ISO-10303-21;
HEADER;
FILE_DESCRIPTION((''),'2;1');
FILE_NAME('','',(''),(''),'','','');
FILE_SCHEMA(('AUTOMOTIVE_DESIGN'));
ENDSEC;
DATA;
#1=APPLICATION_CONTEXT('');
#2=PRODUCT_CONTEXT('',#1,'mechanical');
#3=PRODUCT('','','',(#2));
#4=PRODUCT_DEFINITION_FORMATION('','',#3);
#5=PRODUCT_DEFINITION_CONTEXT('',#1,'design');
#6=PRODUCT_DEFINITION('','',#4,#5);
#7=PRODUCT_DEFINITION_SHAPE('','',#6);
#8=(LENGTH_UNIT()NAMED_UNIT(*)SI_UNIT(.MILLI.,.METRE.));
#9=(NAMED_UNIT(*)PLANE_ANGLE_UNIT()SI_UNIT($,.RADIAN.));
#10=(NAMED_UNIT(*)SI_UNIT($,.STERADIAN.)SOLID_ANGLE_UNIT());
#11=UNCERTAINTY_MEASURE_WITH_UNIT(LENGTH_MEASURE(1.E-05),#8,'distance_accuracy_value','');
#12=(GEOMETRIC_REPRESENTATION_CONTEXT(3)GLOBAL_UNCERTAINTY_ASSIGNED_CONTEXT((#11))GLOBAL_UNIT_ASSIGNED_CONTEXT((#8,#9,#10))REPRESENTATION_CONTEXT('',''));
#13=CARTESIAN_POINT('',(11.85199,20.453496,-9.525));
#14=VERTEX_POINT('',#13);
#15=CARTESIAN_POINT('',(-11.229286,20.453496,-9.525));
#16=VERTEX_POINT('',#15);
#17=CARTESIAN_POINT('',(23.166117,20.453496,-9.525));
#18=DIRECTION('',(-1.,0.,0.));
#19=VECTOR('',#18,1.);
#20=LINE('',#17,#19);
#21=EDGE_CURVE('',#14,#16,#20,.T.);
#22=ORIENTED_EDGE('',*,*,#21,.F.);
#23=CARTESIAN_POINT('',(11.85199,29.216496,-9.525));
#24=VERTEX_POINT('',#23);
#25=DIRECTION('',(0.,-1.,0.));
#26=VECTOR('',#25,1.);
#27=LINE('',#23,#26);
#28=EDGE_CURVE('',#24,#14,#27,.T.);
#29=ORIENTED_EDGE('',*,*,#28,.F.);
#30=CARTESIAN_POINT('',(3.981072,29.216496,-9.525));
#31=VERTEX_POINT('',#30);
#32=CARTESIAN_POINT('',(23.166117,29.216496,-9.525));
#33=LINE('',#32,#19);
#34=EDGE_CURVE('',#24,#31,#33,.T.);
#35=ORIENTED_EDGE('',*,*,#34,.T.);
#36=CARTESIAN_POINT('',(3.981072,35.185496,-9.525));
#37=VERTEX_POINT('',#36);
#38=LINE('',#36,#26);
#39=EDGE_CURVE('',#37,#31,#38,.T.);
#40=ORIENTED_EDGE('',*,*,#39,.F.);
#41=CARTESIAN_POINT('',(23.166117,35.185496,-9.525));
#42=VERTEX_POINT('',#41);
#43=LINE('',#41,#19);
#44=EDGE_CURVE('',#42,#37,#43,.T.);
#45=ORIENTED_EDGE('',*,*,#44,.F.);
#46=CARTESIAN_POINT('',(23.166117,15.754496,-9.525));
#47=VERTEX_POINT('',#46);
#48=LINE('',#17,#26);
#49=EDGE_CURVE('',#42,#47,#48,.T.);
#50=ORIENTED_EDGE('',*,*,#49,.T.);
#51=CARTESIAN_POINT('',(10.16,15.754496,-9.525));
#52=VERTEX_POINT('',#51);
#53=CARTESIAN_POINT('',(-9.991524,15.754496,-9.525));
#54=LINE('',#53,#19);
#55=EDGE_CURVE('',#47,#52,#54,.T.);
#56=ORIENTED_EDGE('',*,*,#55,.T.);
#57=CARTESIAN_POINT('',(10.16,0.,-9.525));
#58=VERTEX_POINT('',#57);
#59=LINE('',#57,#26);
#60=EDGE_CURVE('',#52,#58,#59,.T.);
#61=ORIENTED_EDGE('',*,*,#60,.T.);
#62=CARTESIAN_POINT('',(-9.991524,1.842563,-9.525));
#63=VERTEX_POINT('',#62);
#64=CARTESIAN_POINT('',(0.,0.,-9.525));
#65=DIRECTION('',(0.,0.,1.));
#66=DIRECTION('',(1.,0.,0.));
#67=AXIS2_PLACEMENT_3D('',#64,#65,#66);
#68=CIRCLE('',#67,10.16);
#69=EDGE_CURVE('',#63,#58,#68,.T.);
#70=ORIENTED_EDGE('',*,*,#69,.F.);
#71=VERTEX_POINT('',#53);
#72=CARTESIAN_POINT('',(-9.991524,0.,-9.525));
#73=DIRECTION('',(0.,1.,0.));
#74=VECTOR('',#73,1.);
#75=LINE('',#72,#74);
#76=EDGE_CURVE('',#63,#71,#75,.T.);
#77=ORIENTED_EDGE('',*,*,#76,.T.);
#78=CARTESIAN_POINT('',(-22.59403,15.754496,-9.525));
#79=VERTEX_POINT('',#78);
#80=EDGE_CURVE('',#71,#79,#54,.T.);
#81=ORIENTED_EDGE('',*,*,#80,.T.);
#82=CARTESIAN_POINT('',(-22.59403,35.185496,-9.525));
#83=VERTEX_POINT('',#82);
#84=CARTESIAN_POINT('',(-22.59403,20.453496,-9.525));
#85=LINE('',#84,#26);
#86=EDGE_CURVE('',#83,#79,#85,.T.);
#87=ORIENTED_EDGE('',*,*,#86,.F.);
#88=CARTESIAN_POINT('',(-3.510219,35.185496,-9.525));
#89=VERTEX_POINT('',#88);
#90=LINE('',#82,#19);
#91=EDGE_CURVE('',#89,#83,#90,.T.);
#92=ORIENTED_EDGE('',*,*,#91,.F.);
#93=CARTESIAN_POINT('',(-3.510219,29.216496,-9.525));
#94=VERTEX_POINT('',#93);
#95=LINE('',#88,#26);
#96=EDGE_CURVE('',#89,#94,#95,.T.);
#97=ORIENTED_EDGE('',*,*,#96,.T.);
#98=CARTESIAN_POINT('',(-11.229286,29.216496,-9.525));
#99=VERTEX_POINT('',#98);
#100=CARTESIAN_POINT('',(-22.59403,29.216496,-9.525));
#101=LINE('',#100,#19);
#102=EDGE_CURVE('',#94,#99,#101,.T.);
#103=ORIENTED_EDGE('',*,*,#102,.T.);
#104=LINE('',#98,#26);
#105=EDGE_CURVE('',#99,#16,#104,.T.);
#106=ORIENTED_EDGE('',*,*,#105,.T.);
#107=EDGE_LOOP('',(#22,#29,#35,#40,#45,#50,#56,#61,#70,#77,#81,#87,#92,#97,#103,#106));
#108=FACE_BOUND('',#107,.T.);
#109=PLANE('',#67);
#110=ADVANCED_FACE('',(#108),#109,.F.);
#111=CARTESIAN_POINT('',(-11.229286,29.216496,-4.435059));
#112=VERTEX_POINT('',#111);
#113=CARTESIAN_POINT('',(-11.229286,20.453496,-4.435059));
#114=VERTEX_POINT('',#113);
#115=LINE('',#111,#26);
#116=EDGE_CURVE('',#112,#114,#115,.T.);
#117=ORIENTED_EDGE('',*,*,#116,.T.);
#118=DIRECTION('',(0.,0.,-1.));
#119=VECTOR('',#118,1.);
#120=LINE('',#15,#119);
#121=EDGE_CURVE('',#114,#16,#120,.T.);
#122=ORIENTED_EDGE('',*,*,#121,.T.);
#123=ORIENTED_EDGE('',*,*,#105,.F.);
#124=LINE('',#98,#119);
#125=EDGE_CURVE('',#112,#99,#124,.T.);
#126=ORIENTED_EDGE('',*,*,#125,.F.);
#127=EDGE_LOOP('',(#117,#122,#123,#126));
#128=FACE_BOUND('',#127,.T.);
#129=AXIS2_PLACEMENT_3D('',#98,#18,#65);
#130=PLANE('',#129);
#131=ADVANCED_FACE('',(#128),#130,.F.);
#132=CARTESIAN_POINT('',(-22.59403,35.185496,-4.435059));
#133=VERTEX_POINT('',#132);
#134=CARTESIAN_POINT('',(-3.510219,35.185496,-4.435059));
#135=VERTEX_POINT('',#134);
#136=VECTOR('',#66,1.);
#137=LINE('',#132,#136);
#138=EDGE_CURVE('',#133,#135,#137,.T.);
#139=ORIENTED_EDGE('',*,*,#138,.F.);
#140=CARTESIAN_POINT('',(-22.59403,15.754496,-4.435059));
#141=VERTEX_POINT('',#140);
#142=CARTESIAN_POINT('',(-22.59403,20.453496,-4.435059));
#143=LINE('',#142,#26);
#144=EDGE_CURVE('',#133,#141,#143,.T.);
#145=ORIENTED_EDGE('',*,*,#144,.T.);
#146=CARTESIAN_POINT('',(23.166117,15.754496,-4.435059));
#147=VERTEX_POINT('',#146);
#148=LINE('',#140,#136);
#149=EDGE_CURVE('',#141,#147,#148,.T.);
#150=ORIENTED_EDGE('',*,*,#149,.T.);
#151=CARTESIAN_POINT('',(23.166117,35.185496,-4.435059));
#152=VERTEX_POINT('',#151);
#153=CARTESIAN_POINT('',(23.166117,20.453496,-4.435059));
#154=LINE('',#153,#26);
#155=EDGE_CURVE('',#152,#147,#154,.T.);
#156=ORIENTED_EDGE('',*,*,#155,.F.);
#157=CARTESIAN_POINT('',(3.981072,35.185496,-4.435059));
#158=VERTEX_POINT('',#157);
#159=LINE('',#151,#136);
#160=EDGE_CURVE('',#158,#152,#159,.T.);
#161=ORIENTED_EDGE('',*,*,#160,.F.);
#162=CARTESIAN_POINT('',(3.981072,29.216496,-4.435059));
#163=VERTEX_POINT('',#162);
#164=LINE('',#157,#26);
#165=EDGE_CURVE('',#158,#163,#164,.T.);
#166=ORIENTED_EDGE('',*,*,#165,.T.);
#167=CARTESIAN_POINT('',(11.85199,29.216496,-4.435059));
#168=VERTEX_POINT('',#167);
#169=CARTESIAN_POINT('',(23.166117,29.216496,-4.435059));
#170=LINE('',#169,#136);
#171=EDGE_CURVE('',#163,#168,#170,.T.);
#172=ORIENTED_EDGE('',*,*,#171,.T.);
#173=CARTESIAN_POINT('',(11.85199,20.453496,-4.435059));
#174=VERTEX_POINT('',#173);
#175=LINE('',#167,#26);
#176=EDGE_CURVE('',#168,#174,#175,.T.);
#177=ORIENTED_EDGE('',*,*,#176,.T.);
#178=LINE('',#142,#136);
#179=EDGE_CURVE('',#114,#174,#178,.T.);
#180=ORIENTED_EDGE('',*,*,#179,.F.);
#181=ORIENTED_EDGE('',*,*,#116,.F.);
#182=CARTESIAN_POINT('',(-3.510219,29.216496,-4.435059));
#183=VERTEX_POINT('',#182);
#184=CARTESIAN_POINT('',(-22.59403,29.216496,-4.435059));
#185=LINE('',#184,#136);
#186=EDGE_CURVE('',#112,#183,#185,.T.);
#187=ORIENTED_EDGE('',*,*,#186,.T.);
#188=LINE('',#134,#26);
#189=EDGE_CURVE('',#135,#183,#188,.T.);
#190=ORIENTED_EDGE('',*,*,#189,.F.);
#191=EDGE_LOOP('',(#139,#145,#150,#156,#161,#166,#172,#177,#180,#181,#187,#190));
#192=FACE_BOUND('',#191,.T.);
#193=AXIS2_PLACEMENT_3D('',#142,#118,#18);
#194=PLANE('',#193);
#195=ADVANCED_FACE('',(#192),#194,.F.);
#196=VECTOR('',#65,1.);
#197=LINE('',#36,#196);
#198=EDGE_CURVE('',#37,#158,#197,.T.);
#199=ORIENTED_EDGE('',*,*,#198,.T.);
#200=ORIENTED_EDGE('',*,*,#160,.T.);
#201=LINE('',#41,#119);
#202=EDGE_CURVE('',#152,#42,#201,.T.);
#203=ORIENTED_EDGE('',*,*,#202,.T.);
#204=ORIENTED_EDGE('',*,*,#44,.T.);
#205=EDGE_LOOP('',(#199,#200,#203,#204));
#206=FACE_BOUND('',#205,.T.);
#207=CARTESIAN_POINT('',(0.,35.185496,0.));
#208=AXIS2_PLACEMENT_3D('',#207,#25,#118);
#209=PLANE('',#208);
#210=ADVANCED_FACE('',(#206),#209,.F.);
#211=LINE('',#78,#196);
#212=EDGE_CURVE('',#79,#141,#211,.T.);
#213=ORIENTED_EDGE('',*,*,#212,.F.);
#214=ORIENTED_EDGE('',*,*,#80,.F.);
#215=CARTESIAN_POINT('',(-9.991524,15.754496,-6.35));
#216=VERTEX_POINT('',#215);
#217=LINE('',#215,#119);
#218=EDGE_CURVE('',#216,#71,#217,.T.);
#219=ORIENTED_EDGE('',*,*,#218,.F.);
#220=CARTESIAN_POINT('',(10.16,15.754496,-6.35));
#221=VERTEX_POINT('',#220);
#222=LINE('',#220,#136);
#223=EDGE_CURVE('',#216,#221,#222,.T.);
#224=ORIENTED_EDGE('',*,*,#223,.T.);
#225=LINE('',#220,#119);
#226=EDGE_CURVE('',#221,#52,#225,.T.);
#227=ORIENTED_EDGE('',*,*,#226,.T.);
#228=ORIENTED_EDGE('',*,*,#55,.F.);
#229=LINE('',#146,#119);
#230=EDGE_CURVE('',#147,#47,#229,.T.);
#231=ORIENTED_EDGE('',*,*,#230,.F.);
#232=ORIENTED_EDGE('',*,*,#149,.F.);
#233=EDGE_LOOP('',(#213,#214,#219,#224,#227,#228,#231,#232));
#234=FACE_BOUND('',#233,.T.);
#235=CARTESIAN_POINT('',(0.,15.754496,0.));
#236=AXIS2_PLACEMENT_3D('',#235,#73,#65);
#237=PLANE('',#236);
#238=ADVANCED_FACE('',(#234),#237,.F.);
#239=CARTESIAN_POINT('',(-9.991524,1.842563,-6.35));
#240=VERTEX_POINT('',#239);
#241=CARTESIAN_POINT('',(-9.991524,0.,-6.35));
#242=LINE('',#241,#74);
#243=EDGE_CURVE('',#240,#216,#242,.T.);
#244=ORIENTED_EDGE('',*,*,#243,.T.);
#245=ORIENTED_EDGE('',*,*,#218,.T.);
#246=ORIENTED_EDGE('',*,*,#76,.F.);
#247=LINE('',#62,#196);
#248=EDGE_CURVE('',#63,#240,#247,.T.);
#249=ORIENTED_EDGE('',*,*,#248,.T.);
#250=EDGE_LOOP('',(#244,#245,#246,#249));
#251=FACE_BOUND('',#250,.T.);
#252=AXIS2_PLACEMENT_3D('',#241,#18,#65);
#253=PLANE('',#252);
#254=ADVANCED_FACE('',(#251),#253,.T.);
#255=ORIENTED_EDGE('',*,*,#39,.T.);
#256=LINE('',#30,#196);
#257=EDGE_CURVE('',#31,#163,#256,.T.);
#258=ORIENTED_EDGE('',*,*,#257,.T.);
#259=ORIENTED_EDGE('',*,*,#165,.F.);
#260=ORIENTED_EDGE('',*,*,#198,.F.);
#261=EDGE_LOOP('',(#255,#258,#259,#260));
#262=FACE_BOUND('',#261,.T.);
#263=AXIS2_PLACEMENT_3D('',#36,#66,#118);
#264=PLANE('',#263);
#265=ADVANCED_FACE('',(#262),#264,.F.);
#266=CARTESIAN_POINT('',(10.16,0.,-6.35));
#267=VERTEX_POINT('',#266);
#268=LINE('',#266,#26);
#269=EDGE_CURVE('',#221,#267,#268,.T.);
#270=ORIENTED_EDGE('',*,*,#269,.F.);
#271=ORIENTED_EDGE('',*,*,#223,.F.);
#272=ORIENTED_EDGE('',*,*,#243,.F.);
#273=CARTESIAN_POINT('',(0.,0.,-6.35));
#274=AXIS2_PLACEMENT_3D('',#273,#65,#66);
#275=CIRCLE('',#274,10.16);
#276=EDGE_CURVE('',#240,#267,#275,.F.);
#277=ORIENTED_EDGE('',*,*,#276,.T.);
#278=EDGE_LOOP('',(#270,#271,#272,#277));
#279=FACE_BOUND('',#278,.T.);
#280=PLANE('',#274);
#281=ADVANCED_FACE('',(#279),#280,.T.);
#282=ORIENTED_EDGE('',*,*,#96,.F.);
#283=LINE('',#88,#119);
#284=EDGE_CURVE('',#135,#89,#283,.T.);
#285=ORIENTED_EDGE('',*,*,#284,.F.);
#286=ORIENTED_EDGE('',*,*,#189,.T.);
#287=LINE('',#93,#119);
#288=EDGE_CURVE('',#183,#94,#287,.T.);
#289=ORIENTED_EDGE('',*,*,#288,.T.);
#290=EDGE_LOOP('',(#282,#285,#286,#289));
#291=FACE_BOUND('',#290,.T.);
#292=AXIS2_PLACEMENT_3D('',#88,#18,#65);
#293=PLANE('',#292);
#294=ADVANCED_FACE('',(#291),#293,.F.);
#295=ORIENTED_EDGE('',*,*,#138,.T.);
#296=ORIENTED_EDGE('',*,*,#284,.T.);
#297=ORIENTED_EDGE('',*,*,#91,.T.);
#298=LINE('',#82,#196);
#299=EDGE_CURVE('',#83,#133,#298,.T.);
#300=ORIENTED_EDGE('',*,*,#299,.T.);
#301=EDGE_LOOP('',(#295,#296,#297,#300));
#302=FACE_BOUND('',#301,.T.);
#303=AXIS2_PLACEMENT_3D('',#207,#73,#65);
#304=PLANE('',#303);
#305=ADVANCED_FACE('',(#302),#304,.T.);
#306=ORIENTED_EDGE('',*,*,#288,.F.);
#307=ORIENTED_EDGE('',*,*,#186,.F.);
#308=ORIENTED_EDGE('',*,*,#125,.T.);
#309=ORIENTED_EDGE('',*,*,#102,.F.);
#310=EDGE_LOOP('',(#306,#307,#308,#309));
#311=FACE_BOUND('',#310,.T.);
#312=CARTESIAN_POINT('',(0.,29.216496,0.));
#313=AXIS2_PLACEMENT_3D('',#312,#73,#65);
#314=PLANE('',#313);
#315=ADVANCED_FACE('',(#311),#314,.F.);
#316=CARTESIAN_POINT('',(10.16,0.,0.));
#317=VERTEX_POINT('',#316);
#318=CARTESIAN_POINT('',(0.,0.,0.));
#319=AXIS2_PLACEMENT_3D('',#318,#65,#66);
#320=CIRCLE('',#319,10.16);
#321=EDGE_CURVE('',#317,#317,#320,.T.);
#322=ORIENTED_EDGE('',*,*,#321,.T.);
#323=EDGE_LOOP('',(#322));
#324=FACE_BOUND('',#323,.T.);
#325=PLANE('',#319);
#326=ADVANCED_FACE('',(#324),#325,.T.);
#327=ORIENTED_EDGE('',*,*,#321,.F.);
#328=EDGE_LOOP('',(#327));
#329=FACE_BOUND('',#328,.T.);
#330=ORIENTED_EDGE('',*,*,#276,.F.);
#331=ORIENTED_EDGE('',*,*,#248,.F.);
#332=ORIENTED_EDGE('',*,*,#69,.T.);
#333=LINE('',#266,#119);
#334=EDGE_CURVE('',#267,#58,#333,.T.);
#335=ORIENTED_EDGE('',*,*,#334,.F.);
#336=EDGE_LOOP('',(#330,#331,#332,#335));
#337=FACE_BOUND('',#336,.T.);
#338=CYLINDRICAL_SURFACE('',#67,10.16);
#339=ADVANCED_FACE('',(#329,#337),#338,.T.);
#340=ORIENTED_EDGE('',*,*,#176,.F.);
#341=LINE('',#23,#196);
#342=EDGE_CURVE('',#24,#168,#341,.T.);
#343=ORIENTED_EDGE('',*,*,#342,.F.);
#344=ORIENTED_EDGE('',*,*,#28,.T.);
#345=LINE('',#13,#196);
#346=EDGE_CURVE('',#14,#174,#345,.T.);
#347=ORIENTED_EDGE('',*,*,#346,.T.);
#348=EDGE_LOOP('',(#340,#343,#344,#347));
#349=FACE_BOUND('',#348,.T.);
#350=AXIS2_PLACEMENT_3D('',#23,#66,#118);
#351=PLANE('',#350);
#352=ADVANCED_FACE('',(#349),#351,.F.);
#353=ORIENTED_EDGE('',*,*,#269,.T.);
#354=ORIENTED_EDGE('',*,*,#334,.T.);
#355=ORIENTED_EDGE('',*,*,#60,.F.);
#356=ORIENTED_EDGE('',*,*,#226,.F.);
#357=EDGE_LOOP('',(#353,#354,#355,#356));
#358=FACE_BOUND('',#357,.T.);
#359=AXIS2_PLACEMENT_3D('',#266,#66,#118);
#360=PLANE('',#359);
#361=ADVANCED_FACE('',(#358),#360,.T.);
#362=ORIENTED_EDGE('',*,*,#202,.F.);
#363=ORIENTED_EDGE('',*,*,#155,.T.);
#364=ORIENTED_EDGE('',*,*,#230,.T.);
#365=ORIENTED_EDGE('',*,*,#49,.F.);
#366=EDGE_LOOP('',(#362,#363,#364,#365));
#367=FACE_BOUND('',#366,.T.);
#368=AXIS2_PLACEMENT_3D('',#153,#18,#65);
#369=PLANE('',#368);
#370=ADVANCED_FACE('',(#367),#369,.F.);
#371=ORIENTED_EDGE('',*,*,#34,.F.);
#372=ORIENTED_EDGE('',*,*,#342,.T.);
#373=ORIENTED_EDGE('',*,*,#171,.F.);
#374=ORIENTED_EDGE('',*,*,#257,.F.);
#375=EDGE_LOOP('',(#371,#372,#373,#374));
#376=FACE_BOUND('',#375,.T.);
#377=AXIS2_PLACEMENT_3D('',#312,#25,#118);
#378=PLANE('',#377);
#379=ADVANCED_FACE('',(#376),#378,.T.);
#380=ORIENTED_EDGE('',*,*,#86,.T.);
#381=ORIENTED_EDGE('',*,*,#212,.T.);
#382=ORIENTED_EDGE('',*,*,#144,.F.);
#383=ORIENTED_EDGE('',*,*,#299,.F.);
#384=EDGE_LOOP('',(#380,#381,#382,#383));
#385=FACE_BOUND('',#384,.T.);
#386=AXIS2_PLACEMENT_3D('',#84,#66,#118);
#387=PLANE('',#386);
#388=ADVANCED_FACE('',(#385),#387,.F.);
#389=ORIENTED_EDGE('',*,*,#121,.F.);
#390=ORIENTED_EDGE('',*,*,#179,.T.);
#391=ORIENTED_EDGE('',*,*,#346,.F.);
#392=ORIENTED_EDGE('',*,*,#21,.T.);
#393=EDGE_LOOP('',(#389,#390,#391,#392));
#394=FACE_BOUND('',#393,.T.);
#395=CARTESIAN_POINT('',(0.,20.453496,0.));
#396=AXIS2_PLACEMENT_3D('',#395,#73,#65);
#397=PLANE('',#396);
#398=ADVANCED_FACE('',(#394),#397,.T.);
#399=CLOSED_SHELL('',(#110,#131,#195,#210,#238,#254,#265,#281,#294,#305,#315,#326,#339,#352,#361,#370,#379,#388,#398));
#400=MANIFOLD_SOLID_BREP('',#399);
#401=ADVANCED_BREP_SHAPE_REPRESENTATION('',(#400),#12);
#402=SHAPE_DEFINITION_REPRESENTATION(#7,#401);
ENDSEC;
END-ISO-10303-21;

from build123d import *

# Parameters (mm, degrees)
SKETCH1_R           = 10.16
BOSS_EXTRUDE1_DEPTH = 9.525
SKETCH2_W           = 20.151524415
SKETCH2_H           = 15.754496301
BOSS_EXTRUDE4_DEPTH = 3.175
BOSS_EXTRUDE5_DEPTH = 4.699
SKETCH4_W           = 11.36474419
SKETCH4_H           = 5.089940764
SKETCH4_W_2         = 11.314127359
BOSS_EXTRUDE6_DEPTH = 8.763
SKETCH5_W           = 19.083811061
SKETCH5_H           = 5.089940764
SKETCH5_W_2         = 19.185044725
BOSS_EXTRUDE7_DEPTH = 5.969


with BuildPart() as part:
    # Sketch1 → Boss-Extrude1 (new body)
    with BuildSketch(Plane.XY):
        Circle(SKETCH1_R)
    extrude(amount=-BOSS_EXTRUDE1_DEPTH)

    # Sketch2 → Boss-Extrude4 (add)
    with BuildSketch(Plane(origin=(0, 0, -9.525), x_dir=(-1, 0, 0), z_dir=(0, 0, -1))):
        with Locations((-0.084237792, 7.877248151)):
            Rectangle(SKETCH2_W, SKETCH2_H)
    extrude(amount=-BOSS_EXTRUDE4_DEPTH)

    # Sketch3 → Boss-Extrude5 (add)
    with BuildSketch(Plane(origin=(0, 15.754496301, 0), x_dir=(1, 0, 0), z_dir=(0, 1, 0))):
        Polygon((-9.991524415, 9.525), (-22.594029854, 9.525), (-22.594029854, 4.435059236), (23.166117059, 4.435059236), (23.166117059, 9.525), align=None)
    extrude(amount=BOSS_EXTRUDE5_DEPTH)

    # Sketch4 → Boss-Extrude6 (add)
    with BuildSketch(Plane(origin=(0, 20.453496301, 0), x_dir=(1, 0, 0), z_dir=(0, 1, 0))):
        with Locations((-16.911657759, 6.980029618)):
            Rectangle(SKETCH4_W, SKETCH4_H)
        with Locations((17.50905338, 6.980029618)):
            Rectangle(SKETCH4_W_2, SKETCH4_H)
    extrude(amount=BOSS_EXTRUDE6_DEPTH)

    # Sketch5 → Boss-Extrude7 (add)
    with BuildSketch(Plane(origin=(0, 29.216496301, 0), x_dir=(1, 0, 0), z_dir=(0, 1, 0))):
        with Locations((-13.052124324, 6.980029618)):
            Rectangle(SKETCH5_W, SKETCH5_H)
        with Locations((13.573594697, 6.980029618)):
            Rectangle(SKETCH5_W_2, SKETCH5_H)
    extrude(amount=BOSS_EXTRUDE7_DEPTH)


solid = part.part
